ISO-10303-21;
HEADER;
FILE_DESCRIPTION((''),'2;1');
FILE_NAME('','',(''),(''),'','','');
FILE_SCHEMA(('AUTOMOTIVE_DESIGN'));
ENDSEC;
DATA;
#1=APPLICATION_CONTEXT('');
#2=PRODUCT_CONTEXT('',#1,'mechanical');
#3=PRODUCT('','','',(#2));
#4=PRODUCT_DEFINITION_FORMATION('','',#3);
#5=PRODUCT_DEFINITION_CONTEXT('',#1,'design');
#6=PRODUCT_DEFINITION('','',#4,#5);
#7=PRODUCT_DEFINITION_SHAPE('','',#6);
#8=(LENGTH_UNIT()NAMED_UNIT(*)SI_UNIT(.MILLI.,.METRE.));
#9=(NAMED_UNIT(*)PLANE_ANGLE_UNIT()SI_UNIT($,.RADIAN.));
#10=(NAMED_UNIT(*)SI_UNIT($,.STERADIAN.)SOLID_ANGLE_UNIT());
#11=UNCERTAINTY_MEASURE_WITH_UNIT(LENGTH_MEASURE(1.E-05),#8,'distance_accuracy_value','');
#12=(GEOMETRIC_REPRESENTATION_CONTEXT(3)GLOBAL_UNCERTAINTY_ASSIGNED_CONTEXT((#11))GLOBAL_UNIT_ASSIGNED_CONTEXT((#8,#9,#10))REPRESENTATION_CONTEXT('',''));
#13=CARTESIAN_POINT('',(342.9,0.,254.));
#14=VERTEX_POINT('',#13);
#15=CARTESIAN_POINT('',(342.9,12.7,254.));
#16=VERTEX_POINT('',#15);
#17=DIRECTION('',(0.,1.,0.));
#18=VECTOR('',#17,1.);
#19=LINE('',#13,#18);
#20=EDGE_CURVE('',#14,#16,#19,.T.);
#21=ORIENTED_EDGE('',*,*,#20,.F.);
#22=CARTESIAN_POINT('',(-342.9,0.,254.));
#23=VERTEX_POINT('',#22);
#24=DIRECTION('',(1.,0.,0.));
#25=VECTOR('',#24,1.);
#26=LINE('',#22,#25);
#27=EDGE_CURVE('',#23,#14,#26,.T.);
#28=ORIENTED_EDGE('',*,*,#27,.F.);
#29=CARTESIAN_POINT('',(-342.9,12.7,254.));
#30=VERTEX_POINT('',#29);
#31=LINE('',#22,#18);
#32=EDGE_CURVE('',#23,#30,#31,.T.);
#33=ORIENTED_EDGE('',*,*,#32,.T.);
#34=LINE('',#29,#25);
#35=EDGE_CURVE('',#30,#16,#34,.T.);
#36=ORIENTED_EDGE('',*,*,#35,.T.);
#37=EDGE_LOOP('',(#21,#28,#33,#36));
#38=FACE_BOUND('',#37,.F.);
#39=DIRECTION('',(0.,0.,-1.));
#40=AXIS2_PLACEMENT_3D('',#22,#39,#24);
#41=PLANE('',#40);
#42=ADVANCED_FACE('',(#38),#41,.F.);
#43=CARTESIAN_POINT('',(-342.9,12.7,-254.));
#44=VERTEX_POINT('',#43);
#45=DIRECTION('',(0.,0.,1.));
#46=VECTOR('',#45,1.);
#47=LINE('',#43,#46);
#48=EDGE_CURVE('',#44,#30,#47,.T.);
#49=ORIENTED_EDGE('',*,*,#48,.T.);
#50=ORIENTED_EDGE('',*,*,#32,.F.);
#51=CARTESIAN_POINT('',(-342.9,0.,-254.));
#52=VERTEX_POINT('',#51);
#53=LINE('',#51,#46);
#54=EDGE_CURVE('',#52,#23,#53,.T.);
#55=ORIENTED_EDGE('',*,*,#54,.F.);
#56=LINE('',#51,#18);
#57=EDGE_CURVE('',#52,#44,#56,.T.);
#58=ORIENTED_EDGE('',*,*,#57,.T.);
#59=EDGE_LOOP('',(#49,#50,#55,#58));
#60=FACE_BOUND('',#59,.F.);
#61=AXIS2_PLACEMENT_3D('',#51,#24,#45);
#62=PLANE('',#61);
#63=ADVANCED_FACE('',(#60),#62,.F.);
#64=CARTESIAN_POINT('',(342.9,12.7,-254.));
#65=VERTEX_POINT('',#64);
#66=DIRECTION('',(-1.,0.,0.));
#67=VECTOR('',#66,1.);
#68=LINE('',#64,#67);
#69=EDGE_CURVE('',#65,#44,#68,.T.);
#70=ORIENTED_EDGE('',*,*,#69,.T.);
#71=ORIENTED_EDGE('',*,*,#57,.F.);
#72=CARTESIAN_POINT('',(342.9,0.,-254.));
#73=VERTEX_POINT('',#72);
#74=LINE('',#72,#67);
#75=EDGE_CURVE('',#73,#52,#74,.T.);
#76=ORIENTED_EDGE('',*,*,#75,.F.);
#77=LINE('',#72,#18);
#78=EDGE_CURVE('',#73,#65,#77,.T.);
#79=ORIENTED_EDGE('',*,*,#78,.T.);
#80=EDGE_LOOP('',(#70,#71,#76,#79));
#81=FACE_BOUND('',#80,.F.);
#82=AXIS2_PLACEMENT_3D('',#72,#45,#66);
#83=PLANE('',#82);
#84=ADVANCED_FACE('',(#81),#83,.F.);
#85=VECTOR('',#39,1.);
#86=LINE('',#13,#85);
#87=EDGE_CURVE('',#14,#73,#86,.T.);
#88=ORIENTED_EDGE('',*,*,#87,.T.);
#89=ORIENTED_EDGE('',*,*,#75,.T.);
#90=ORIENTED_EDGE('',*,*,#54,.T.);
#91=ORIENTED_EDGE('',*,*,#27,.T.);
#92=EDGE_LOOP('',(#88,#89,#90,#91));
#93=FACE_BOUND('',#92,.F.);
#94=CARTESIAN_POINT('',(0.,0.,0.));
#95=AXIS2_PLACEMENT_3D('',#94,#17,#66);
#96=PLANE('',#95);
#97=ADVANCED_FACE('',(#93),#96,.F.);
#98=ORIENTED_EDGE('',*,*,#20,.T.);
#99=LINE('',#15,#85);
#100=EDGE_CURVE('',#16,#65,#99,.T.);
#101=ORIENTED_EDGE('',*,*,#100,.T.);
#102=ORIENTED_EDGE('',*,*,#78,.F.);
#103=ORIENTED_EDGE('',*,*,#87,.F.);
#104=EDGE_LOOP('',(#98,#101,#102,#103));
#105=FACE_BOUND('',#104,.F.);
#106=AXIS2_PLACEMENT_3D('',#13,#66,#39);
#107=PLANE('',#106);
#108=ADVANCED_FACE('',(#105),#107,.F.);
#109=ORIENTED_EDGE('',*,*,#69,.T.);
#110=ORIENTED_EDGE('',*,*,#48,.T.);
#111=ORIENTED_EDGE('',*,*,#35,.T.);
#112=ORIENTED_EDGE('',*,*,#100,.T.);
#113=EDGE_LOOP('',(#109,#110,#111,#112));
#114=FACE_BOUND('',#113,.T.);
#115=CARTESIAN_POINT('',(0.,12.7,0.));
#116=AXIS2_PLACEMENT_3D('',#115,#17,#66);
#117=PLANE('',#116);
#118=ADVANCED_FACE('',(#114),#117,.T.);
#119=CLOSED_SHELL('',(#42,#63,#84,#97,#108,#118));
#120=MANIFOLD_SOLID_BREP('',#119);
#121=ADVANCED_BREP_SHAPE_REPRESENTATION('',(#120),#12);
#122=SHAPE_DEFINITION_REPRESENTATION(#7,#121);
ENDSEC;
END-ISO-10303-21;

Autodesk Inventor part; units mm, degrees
ref_plane "YZ Plane" through (0, 0, 0) normal (1, 0, 0) x (0, 1, 0)
ref_plane "XZ Plane" through (0, 0, 0) normal (0, 1, 0) x (-1, 0, 0)
ref_plane "XY Plane" through (0, 0, 0) normal (0, 0, 1) x (1, 0, 0)
sketch "Sketch1" plane through (0, 0, 0) normal (0, 1, 0) x (-1, 0, 0)
  line L0 (342.9, 254) -> (-342.9, 254)
  line L1 (-342.9, 254) -> (-342.9, -254)
  line L2 (-342.9, -254) -> (342.9, -254)
  line L3 (342.9, -254) -> (342.9, 254)
  line L4 (342.9, 254) -> (-342.9, -254) construction
  line L5 (-342.9, 254) -> (342.9, -254) construction
  point P0 (0, 0)
  dimension "d0" = 685.8
  dimension "d1" = 508
extrude "Extrusion1" add sketch "Sketch1" along normal blind 12.7
properties part number "Wood"
